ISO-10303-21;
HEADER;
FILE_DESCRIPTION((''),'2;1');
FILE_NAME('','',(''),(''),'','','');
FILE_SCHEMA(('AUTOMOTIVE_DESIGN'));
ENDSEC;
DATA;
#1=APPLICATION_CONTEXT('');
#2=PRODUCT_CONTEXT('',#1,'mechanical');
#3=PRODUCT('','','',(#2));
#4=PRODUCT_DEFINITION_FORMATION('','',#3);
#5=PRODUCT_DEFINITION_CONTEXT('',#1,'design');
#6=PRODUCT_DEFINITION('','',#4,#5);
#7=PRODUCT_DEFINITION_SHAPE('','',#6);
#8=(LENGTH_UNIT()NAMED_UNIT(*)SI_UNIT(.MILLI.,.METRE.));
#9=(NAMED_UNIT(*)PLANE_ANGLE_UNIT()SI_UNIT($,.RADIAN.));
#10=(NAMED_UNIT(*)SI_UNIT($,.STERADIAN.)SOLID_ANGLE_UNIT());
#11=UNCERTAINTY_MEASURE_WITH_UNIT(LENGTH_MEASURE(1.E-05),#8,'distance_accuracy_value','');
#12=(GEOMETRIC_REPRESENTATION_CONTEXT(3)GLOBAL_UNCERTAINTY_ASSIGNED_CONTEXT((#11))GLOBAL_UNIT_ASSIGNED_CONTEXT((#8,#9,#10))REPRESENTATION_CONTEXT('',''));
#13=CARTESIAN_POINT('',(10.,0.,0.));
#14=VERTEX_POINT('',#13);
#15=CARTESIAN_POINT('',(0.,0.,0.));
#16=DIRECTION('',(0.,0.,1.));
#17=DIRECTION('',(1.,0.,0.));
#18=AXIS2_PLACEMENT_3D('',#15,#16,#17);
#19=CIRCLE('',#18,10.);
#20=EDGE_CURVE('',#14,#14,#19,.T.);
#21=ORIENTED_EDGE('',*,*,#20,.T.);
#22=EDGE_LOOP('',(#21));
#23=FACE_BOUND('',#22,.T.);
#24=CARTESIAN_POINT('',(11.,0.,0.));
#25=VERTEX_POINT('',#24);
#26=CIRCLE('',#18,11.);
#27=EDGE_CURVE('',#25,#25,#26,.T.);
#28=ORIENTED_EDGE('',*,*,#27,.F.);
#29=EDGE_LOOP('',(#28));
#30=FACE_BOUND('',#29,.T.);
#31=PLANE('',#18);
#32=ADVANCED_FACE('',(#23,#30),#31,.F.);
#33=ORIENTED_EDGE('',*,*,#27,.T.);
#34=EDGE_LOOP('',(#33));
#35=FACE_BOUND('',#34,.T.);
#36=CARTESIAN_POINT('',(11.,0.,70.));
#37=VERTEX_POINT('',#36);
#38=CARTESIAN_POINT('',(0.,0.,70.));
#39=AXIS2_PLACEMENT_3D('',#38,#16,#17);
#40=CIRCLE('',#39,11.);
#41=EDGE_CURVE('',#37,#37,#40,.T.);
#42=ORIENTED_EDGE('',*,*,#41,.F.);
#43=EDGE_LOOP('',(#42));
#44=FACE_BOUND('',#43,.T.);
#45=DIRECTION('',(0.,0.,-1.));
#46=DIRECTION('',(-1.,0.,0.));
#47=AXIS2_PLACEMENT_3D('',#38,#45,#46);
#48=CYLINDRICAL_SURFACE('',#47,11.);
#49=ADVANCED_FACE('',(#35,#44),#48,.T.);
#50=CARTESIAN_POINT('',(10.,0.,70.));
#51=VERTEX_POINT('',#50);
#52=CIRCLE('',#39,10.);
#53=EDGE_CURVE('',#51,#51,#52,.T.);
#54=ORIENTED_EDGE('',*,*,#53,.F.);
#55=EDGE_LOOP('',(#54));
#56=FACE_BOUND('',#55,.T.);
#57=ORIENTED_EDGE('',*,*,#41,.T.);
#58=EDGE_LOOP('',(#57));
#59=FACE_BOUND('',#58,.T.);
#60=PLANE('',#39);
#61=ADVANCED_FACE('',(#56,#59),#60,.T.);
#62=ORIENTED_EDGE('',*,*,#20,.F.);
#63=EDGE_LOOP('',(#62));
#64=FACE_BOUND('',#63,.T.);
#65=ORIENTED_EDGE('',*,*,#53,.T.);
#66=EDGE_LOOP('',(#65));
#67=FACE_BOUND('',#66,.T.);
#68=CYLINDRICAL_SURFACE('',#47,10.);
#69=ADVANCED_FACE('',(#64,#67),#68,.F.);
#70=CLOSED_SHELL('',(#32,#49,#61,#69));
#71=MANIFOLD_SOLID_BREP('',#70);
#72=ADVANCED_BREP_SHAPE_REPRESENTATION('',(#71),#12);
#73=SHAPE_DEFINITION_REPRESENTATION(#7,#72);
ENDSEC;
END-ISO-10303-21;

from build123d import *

# Parameters (mm, degrees)
SKETCH_1_R      = 11
SKETCH_1_R_2    = 10
EXTRUDE_1_DEPTH = 70


with BuildPart() as part:
    # Эскиз1 → Бобышка-Вытянуть1 (new body)
    with BuildSketch(Plane.XY):
        Circle(SKETCH_1_R)
        Circle(SKETCH_1_R_2, mode=Mode.SUBTRACT)
    extrude(amount=EXTRUDE_1_DEPTH)


solid = part.part
